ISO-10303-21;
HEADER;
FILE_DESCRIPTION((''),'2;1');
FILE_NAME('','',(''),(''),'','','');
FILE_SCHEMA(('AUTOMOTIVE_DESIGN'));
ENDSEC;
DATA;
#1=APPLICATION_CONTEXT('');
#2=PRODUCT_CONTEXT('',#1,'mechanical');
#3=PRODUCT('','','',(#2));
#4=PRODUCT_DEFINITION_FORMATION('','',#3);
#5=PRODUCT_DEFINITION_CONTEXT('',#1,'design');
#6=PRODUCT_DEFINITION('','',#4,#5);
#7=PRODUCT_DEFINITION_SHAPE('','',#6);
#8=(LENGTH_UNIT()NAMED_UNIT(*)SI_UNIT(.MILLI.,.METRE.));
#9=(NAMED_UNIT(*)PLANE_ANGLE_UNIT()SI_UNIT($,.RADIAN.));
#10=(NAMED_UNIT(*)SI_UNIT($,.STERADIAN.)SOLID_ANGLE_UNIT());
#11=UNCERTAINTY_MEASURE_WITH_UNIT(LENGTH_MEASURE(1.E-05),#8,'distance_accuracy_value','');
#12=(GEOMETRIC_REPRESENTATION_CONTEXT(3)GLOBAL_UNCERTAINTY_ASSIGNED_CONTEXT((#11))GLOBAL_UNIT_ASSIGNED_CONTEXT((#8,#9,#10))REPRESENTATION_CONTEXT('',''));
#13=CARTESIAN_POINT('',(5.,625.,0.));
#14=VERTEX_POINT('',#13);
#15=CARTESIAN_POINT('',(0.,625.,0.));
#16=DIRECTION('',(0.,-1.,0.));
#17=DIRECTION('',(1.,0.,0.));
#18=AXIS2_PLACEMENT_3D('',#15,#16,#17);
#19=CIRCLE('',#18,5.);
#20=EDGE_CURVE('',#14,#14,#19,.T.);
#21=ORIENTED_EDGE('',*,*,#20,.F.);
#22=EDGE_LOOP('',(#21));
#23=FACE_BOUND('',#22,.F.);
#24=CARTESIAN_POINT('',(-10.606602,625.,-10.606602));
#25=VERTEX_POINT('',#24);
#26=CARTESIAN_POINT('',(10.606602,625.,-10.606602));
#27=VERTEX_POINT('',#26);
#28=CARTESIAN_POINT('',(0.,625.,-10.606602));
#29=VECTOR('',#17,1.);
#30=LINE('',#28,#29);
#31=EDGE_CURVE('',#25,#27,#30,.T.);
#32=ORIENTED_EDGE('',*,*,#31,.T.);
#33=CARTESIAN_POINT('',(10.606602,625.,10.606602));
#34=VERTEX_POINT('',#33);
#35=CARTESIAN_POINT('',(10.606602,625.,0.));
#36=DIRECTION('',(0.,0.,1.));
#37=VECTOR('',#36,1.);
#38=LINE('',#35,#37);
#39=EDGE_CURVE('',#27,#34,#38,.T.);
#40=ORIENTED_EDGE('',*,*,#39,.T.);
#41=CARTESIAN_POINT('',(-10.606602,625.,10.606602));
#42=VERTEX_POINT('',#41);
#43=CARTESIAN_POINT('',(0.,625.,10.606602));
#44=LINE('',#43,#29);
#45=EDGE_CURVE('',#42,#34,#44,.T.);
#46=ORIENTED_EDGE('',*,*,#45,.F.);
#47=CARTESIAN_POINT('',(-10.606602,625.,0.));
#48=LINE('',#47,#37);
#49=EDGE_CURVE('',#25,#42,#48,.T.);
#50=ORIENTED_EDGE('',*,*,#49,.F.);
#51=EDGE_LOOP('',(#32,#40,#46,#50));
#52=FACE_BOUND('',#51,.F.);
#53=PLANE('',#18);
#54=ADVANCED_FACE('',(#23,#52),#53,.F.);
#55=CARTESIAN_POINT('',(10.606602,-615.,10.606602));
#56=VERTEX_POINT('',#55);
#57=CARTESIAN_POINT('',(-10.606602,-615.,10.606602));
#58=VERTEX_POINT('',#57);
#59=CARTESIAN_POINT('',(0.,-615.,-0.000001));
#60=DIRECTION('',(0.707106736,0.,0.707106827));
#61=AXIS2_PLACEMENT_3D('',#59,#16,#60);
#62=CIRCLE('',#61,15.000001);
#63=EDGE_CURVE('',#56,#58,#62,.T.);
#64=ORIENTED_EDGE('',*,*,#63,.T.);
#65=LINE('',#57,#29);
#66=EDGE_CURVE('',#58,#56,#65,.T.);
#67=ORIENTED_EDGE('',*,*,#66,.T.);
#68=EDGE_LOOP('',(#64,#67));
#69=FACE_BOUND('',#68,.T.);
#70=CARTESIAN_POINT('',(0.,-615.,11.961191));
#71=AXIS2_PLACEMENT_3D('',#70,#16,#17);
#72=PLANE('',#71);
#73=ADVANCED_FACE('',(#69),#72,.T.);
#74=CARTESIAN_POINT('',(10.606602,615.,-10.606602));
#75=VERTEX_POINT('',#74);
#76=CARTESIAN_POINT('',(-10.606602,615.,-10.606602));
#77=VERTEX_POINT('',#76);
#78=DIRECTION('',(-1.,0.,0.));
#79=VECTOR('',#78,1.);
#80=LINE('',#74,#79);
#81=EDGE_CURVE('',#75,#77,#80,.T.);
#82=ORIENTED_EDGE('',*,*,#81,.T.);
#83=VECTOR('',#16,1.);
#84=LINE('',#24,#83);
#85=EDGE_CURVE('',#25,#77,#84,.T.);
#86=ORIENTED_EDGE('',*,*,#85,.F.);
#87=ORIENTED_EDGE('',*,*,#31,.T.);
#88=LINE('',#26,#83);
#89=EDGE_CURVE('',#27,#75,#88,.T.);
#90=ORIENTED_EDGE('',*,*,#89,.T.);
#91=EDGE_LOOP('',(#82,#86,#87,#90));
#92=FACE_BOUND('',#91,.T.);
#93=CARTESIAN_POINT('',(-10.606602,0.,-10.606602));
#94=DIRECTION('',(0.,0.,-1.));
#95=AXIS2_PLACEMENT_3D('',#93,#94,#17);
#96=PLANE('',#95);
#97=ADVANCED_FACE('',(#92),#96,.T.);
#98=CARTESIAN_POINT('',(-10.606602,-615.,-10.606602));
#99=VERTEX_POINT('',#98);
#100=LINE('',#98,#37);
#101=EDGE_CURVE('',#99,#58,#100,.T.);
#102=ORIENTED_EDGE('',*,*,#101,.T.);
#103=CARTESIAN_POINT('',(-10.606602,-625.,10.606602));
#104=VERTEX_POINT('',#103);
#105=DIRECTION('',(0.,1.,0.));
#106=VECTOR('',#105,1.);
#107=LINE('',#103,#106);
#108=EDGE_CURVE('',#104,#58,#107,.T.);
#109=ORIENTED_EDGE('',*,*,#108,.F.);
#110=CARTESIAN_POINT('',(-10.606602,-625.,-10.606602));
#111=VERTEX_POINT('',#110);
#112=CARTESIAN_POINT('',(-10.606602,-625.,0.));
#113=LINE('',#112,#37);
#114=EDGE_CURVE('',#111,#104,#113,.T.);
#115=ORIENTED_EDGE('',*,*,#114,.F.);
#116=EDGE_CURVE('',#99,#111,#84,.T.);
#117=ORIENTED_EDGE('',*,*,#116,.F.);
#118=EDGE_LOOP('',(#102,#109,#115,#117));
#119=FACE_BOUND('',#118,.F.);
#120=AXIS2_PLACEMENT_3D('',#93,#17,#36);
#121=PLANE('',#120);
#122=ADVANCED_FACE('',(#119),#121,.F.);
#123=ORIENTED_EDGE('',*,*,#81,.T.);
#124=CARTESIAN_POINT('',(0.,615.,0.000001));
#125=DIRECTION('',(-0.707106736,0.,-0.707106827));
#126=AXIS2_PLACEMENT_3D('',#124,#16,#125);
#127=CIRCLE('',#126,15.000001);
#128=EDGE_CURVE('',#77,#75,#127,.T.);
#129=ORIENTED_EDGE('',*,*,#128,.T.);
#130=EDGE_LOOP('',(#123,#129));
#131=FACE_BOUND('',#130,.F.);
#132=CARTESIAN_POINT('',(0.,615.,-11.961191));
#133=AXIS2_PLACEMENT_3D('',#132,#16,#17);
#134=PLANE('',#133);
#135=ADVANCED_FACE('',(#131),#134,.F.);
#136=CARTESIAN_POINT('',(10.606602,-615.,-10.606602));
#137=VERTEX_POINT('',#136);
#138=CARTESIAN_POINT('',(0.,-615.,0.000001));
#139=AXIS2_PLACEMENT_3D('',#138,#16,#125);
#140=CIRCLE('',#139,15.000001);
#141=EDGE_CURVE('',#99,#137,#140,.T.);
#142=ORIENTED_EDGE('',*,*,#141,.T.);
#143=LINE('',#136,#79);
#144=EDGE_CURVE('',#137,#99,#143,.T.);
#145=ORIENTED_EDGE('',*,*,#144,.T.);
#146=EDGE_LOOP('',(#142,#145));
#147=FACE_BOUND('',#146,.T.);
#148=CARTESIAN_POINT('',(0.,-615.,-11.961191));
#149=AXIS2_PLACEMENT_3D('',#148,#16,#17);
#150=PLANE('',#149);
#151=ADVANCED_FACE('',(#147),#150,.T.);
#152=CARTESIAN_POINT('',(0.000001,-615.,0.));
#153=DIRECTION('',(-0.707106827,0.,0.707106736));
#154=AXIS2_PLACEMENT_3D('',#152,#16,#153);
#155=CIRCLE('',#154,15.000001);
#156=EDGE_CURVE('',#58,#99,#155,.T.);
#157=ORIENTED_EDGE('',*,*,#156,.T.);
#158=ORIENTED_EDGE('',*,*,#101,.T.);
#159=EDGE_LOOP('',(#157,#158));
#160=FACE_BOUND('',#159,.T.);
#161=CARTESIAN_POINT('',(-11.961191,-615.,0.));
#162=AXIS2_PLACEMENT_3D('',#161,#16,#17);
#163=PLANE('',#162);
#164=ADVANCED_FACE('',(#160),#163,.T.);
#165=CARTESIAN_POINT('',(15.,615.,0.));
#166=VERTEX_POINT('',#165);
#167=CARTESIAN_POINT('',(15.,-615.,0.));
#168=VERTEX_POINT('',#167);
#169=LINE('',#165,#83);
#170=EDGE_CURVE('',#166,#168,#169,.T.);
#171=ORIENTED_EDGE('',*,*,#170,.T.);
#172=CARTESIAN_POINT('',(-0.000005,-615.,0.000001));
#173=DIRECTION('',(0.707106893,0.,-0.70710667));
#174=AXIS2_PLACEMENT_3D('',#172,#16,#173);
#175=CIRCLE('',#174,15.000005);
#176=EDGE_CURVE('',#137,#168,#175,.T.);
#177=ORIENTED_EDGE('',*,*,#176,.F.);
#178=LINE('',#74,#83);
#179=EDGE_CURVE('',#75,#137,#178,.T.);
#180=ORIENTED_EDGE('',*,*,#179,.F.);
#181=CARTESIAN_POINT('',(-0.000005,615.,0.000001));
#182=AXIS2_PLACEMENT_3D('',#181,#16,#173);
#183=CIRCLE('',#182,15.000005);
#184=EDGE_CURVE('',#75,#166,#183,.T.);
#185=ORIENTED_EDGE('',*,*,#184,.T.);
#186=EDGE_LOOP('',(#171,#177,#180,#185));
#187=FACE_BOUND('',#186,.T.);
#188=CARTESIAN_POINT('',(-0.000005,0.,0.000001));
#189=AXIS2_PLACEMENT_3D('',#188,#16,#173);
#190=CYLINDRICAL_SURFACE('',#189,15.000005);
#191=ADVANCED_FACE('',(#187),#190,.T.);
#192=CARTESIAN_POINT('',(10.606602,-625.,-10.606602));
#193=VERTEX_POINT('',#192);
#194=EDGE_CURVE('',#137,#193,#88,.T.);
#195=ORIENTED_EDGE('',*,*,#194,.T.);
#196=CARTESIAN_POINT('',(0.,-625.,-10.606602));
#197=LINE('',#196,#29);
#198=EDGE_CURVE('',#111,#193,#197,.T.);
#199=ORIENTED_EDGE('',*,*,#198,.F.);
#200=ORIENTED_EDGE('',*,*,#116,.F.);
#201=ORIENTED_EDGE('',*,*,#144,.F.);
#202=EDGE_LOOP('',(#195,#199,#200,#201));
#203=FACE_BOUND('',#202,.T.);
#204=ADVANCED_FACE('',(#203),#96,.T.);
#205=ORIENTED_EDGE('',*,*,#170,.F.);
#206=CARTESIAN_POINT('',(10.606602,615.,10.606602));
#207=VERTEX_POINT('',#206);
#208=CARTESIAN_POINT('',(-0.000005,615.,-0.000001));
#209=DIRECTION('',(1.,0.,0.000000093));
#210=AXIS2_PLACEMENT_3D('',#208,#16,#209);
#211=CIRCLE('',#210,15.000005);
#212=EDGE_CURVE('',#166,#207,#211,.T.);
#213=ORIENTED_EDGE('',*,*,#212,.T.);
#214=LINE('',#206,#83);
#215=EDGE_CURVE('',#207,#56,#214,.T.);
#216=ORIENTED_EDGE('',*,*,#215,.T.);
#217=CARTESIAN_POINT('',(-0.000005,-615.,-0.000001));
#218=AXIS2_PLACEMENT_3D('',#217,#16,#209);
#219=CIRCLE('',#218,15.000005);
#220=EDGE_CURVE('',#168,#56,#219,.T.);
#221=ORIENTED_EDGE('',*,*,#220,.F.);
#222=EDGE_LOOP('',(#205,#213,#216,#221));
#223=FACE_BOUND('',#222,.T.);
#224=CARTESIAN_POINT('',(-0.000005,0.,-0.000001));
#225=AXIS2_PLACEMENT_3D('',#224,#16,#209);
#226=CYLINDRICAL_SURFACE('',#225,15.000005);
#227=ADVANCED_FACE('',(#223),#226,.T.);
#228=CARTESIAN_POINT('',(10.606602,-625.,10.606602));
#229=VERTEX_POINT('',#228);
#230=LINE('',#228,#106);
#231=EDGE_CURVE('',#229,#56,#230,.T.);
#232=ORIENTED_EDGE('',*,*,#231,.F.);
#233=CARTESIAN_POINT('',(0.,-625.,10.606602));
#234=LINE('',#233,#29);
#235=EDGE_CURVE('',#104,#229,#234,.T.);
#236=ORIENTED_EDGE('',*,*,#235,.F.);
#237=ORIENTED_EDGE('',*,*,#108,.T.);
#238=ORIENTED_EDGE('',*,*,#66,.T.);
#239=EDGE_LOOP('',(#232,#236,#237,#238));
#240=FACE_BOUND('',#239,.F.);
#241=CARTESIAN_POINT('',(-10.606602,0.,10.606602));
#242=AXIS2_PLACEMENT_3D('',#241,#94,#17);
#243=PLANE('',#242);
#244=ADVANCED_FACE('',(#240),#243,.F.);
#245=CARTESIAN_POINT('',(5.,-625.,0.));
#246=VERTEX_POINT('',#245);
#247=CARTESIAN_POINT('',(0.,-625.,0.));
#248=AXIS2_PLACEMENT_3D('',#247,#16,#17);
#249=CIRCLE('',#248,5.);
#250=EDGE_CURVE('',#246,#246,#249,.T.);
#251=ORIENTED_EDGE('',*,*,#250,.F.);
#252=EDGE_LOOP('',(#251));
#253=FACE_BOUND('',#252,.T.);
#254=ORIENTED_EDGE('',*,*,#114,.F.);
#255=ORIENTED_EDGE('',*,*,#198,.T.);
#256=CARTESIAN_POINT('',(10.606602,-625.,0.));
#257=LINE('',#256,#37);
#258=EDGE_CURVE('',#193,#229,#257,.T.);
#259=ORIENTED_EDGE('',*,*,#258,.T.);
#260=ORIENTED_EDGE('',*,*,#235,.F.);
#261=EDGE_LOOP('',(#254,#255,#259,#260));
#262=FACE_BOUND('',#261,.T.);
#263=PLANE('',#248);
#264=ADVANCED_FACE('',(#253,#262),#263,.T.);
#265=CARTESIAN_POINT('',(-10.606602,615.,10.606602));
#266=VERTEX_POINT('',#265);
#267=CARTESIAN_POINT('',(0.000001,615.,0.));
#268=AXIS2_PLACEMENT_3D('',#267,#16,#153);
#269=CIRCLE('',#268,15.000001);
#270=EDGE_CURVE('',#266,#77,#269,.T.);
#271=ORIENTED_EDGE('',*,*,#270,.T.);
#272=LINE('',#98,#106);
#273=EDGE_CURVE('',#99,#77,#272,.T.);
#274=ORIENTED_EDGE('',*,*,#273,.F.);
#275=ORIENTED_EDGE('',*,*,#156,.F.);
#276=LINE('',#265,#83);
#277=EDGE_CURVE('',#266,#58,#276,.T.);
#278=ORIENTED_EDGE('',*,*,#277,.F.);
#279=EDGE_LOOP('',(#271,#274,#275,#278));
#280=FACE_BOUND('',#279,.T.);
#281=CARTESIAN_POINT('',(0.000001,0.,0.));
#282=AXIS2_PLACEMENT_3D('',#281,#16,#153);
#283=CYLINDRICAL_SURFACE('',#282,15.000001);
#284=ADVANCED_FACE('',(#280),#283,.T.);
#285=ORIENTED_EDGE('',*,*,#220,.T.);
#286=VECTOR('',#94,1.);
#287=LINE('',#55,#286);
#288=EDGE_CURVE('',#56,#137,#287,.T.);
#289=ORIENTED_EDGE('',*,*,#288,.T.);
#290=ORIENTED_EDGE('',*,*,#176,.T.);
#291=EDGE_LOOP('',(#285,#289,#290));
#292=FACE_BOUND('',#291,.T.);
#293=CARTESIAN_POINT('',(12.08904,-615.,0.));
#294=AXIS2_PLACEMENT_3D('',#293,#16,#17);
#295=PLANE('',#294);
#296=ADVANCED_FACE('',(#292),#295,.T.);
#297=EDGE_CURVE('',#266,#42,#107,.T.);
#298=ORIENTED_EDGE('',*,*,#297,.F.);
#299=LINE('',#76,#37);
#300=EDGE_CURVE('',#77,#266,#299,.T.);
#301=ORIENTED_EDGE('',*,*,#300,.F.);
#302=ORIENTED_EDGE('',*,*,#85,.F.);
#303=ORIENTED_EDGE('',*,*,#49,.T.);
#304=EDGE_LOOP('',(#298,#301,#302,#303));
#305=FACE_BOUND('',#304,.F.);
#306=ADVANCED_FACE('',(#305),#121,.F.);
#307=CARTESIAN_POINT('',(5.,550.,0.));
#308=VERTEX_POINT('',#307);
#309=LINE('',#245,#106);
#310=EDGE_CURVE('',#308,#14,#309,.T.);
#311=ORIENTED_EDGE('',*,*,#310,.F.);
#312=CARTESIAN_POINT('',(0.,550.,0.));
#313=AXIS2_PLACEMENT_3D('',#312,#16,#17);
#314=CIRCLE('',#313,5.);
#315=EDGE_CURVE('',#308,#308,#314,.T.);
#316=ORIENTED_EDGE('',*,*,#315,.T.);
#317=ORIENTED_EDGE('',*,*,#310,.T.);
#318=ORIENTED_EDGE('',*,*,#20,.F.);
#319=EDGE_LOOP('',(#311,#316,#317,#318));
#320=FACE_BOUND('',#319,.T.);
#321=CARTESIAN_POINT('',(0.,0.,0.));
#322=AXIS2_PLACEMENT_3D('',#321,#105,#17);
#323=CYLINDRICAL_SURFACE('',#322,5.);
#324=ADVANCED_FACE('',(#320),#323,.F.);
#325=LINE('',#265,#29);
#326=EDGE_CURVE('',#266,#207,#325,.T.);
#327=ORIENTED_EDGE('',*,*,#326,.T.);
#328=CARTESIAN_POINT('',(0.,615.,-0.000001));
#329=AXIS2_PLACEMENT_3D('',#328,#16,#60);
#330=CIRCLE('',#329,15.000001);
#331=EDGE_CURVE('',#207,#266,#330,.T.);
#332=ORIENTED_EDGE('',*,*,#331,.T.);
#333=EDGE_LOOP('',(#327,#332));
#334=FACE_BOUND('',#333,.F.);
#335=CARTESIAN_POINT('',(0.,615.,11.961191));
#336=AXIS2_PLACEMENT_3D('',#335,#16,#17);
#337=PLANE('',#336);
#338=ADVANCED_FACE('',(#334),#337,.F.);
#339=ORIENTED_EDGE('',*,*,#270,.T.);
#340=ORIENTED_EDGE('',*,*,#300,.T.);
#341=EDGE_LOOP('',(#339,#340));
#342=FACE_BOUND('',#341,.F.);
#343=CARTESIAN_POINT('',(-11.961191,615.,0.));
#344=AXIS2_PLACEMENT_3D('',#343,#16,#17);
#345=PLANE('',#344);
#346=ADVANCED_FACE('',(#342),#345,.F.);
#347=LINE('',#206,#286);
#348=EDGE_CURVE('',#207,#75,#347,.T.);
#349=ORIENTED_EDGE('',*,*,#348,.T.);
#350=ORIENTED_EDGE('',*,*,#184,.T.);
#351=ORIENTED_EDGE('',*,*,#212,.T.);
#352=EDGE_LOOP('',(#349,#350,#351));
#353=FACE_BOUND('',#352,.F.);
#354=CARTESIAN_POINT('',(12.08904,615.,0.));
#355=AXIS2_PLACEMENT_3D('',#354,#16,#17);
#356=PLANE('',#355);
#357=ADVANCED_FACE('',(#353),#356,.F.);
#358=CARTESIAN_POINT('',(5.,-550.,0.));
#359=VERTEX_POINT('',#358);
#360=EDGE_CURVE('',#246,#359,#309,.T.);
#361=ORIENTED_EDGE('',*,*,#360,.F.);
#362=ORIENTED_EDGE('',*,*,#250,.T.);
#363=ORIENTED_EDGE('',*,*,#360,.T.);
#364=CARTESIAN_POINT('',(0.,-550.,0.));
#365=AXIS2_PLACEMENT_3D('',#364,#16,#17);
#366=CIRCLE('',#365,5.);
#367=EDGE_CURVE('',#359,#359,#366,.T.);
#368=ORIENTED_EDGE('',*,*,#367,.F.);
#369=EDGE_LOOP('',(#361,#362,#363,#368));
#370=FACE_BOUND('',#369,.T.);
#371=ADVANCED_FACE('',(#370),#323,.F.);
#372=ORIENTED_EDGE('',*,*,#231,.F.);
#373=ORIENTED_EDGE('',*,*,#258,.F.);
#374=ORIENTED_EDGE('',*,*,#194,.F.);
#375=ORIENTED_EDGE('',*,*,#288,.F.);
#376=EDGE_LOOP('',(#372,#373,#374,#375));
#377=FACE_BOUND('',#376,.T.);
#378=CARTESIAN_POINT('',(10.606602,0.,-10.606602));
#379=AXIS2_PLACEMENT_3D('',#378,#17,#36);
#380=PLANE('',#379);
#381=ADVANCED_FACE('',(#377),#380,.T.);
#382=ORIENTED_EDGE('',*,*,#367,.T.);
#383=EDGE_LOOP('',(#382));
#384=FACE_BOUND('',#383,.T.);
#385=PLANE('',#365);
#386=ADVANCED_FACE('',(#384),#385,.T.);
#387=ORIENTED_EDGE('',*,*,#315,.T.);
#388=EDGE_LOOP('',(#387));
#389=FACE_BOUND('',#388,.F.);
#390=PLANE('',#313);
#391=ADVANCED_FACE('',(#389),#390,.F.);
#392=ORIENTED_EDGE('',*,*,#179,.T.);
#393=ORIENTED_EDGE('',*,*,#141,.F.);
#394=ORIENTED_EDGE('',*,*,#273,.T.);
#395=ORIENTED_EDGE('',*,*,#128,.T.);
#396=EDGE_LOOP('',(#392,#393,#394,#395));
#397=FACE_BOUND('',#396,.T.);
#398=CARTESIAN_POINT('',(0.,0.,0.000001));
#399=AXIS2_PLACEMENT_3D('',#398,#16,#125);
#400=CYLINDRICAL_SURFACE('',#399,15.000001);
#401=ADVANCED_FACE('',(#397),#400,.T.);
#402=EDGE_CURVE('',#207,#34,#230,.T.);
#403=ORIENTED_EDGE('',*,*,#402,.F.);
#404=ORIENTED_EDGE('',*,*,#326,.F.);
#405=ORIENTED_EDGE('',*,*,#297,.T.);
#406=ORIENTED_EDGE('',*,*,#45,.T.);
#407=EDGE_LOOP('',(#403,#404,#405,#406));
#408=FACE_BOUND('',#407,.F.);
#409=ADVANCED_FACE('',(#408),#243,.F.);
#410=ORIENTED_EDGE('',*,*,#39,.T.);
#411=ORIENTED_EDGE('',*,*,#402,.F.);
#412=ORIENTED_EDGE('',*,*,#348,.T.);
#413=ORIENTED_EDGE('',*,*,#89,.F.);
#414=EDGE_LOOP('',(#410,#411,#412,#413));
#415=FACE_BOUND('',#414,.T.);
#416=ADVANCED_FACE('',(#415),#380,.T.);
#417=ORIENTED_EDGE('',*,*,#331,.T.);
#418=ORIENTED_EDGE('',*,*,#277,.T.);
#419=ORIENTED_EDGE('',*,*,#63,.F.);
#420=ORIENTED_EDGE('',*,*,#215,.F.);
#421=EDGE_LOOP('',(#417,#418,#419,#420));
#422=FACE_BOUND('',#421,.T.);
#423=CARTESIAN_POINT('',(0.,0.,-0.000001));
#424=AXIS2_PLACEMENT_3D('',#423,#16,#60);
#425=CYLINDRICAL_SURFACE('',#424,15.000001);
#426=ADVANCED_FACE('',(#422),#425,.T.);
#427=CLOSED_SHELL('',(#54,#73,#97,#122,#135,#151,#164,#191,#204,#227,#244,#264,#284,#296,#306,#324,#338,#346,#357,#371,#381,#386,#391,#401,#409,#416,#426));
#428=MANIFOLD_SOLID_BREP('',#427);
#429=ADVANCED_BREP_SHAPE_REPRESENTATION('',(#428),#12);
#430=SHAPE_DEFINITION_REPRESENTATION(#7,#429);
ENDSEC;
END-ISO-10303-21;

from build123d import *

# Parameters (mm, degrees)
F0_W     = 21.213204
F0_H     = 21.213204
F0_R     = 5
F1_DEPTH = 625
F2_DEPTH = 615
F3_DEPTH = 550


with BuildPart() as f1:
    # F0 (on Front) → F1 (new body, symmetric)
    with BuildSketch(Plane.XZ):
        Rectangle(F0_W, F0_H)
        Circle(F0_R, mode=Mode.SUBTRACT)
    extrude(amount=F1_DEPTH, both=True)

    # F0 (on Front) → F2 (join, symmetric)
    with BuildSketch(Plane.XZ):
        with BuildLine():
            Line((-10.606602, 10.606602), (10.606602, 10.606602))
            ThreePointArc((10.606602, 10.606602), (0, 15), (-10.606602, 10.606602))
        make_face()
        with BuildLine():
            ThreePointArc((10.606602, -10.606602), (13.858193, -5.740251), (15, 0))
            ThreePointArc((15, 0), (13.858193, 5.740251), (10.606602, 10.606602))
            Line((10.606602, 10.606602), (10.606602, -10.606602))
        make_face()
        with BuildLine():
            ThreePointArc((-10.606602, -10.606602), (0, -15), (10.606602, -10.606602))
            Line((10.606602, -10.606602), (-10.606602, -10.606602))
        make_face()
        with BuildLine():
            Line((-10.606602, -10.606602), (-10.606602, 10.606602))
            ThreePointArc((-10.606602, 10.606602), (-15, 0), (-10.606602, -10.606602))
        make_face()
    extrude(amount=F2_DEPTH, both=True)

    # F0 (on Front) → F3 (join, symmetric)
    with BuildSketch(Plane.XZ):
        Circle(F0_R)
    extrude(amount=F3_DEPTH, both=True)


solid = f1.part
